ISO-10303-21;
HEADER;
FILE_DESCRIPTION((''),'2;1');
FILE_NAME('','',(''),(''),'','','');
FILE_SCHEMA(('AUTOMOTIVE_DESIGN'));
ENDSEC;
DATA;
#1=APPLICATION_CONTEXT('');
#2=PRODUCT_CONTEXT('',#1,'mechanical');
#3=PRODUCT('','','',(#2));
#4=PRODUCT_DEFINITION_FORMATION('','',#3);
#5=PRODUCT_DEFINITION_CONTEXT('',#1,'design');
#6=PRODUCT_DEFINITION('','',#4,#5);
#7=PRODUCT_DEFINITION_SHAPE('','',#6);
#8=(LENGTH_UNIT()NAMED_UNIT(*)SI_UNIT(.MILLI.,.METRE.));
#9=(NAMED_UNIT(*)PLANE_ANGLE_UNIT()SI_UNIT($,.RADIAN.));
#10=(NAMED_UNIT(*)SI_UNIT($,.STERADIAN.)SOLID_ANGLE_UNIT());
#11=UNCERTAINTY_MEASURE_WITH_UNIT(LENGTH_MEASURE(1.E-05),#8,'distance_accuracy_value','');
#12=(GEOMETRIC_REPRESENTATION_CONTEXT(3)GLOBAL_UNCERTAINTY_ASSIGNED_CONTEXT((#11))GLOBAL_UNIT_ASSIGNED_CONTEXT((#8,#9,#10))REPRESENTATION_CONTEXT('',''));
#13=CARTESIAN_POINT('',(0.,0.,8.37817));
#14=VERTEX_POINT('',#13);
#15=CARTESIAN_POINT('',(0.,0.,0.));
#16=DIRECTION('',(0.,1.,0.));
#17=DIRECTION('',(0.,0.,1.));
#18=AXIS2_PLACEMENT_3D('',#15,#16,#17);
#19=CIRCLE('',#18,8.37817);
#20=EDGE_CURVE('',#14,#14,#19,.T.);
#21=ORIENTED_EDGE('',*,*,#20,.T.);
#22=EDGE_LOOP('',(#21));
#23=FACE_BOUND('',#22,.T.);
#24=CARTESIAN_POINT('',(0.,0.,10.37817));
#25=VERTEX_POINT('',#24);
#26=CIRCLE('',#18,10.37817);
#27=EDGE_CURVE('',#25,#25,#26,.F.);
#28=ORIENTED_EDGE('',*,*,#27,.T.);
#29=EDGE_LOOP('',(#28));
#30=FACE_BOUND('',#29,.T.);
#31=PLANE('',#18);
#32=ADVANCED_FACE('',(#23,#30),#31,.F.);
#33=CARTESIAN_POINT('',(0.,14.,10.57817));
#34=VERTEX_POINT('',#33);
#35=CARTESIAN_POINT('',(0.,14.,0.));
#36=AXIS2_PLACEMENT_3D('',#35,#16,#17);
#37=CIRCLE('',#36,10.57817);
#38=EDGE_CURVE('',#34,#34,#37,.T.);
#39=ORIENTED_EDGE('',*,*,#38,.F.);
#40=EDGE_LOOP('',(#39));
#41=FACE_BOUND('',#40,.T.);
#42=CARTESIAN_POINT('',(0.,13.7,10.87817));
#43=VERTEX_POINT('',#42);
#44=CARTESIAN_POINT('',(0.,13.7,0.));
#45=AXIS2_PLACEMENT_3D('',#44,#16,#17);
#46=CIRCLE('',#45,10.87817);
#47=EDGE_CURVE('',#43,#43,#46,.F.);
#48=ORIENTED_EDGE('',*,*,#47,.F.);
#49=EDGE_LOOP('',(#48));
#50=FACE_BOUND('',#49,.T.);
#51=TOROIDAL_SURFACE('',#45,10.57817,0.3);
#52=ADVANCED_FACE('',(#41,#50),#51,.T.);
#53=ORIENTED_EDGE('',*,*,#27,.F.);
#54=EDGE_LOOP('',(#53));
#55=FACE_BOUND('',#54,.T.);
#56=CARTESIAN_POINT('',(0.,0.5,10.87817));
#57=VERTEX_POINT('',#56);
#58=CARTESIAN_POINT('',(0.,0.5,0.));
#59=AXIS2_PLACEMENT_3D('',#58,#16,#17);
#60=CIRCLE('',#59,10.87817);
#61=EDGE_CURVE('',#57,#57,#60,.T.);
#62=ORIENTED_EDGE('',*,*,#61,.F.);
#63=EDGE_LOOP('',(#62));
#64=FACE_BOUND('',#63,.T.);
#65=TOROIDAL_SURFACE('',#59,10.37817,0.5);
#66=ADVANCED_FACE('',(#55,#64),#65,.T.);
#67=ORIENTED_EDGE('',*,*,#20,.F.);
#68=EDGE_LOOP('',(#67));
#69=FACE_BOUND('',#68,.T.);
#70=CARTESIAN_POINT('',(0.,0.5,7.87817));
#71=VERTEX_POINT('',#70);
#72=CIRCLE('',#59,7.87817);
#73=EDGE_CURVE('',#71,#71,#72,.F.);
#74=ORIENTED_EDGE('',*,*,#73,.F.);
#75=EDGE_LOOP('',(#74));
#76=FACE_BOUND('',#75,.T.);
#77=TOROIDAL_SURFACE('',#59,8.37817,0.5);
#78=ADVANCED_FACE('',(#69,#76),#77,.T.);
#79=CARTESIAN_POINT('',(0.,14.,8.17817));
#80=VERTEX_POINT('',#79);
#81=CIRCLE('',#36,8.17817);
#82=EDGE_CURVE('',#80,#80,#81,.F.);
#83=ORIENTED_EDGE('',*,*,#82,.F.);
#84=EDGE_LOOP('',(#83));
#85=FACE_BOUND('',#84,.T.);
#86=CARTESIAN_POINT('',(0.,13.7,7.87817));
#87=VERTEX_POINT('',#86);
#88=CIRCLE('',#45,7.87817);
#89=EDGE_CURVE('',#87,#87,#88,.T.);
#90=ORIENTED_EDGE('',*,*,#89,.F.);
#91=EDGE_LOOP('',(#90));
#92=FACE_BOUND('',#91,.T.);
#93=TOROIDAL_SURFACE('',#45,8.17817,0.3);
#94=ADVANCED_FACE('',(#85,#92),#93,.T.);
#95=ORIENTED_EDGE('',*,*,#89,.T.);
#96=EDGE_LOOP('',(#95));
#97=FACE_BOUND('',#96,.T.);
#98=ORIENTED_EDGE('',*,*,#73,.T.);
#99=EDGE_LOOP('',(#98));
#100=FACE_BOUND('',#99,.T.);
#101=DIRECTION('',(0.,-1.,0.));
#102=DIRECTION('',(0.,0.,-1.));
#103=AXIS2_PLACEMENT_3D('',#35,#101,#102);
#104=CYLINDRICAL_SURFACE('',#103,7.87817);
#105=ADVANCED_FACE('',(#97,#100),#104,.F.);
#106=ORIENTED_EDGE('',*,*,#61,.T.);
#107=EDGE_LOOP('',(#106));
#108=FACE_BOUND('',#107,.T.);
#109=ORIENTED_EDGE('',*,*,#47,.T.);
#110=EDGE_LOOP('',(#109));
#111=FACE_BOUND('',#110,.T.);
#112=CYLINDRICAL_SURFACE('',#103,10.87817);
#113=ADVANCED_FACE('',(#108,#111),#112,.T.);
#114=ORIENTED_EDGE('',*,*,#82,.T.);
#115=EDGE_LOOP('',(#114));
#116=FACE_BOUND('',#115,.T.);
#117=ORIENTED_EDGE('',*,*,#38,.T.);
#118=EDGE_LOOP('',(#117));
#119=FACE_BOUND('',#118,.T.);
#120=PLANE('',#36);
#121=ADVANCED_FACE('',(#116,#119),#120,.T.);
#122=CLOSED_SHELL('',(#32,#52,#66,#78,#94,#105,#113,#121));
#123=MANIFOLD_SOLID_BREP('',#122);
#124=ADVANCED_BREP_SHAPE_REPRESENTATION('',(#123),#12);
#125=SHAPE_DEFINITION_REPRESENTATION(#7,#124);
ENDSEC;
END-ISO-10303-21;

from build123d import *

# Parameters (mm, degrees)
SKETCH1_R           = 10.87817
SKETCH1_R_2         = 7.87817
BOSS_EXTRUDE1_DEPTH = 14
FILLET1_R           = 0.3
FILLET5_R           = 0.3
FILLET6_R           = 0.5
FILLET7_R           = 0.5


with BuildPart() as part:
    # Sketch1 → Boss-Extrude1 (new body)
    with BuildSketch(Plane(origin=(0, 0, 0), x_dir=(1, 0, 0), z_dir=(0, 1, 0))):
        with Locations(Location((0, 0, 0), (0, 0, 270))):
            Circle(SKETCH1_R)
        with Locations(Location((0, 0, 0), (0, 0, 270))):
            Circle(SKETCH1_R_2, mode=Mode.SUBTRACT)
    extrude(amount=BOSS_EXTRUDE1_DEPTH)

    # Fillet1
    fillet1_edges = [part.edges().sort_by_distance(p)[0] for p in [
        (0, 14, -10.87817),
    ]]
    fillet(fillet1_edges, radius=FILLET1_R)

    # Fillet5
    fillet5_edges = [part.edges().sort_by_distance(p)[0] for p in [
        (0, 14, -7.87817),
    ]]
    fillet(fillet5_edges, radius=FILLET5_R)

    # Fillet6
    fillet6_edges = [part.edges().sort_by_distance(p)[0] for p in [
        (0, 0, -10.87817),
    ]]
    fillet(fillet6_edges, radius=FILLET6_R)

    # Fillet7
    fillet7_edges = [part.edges().sort_by_distance(p)[0] for p in [
        (0, 0, -7.87817),
    ]]
    fillet(fillet7_edges, radius=FILLET7_R)


solid = part.part
